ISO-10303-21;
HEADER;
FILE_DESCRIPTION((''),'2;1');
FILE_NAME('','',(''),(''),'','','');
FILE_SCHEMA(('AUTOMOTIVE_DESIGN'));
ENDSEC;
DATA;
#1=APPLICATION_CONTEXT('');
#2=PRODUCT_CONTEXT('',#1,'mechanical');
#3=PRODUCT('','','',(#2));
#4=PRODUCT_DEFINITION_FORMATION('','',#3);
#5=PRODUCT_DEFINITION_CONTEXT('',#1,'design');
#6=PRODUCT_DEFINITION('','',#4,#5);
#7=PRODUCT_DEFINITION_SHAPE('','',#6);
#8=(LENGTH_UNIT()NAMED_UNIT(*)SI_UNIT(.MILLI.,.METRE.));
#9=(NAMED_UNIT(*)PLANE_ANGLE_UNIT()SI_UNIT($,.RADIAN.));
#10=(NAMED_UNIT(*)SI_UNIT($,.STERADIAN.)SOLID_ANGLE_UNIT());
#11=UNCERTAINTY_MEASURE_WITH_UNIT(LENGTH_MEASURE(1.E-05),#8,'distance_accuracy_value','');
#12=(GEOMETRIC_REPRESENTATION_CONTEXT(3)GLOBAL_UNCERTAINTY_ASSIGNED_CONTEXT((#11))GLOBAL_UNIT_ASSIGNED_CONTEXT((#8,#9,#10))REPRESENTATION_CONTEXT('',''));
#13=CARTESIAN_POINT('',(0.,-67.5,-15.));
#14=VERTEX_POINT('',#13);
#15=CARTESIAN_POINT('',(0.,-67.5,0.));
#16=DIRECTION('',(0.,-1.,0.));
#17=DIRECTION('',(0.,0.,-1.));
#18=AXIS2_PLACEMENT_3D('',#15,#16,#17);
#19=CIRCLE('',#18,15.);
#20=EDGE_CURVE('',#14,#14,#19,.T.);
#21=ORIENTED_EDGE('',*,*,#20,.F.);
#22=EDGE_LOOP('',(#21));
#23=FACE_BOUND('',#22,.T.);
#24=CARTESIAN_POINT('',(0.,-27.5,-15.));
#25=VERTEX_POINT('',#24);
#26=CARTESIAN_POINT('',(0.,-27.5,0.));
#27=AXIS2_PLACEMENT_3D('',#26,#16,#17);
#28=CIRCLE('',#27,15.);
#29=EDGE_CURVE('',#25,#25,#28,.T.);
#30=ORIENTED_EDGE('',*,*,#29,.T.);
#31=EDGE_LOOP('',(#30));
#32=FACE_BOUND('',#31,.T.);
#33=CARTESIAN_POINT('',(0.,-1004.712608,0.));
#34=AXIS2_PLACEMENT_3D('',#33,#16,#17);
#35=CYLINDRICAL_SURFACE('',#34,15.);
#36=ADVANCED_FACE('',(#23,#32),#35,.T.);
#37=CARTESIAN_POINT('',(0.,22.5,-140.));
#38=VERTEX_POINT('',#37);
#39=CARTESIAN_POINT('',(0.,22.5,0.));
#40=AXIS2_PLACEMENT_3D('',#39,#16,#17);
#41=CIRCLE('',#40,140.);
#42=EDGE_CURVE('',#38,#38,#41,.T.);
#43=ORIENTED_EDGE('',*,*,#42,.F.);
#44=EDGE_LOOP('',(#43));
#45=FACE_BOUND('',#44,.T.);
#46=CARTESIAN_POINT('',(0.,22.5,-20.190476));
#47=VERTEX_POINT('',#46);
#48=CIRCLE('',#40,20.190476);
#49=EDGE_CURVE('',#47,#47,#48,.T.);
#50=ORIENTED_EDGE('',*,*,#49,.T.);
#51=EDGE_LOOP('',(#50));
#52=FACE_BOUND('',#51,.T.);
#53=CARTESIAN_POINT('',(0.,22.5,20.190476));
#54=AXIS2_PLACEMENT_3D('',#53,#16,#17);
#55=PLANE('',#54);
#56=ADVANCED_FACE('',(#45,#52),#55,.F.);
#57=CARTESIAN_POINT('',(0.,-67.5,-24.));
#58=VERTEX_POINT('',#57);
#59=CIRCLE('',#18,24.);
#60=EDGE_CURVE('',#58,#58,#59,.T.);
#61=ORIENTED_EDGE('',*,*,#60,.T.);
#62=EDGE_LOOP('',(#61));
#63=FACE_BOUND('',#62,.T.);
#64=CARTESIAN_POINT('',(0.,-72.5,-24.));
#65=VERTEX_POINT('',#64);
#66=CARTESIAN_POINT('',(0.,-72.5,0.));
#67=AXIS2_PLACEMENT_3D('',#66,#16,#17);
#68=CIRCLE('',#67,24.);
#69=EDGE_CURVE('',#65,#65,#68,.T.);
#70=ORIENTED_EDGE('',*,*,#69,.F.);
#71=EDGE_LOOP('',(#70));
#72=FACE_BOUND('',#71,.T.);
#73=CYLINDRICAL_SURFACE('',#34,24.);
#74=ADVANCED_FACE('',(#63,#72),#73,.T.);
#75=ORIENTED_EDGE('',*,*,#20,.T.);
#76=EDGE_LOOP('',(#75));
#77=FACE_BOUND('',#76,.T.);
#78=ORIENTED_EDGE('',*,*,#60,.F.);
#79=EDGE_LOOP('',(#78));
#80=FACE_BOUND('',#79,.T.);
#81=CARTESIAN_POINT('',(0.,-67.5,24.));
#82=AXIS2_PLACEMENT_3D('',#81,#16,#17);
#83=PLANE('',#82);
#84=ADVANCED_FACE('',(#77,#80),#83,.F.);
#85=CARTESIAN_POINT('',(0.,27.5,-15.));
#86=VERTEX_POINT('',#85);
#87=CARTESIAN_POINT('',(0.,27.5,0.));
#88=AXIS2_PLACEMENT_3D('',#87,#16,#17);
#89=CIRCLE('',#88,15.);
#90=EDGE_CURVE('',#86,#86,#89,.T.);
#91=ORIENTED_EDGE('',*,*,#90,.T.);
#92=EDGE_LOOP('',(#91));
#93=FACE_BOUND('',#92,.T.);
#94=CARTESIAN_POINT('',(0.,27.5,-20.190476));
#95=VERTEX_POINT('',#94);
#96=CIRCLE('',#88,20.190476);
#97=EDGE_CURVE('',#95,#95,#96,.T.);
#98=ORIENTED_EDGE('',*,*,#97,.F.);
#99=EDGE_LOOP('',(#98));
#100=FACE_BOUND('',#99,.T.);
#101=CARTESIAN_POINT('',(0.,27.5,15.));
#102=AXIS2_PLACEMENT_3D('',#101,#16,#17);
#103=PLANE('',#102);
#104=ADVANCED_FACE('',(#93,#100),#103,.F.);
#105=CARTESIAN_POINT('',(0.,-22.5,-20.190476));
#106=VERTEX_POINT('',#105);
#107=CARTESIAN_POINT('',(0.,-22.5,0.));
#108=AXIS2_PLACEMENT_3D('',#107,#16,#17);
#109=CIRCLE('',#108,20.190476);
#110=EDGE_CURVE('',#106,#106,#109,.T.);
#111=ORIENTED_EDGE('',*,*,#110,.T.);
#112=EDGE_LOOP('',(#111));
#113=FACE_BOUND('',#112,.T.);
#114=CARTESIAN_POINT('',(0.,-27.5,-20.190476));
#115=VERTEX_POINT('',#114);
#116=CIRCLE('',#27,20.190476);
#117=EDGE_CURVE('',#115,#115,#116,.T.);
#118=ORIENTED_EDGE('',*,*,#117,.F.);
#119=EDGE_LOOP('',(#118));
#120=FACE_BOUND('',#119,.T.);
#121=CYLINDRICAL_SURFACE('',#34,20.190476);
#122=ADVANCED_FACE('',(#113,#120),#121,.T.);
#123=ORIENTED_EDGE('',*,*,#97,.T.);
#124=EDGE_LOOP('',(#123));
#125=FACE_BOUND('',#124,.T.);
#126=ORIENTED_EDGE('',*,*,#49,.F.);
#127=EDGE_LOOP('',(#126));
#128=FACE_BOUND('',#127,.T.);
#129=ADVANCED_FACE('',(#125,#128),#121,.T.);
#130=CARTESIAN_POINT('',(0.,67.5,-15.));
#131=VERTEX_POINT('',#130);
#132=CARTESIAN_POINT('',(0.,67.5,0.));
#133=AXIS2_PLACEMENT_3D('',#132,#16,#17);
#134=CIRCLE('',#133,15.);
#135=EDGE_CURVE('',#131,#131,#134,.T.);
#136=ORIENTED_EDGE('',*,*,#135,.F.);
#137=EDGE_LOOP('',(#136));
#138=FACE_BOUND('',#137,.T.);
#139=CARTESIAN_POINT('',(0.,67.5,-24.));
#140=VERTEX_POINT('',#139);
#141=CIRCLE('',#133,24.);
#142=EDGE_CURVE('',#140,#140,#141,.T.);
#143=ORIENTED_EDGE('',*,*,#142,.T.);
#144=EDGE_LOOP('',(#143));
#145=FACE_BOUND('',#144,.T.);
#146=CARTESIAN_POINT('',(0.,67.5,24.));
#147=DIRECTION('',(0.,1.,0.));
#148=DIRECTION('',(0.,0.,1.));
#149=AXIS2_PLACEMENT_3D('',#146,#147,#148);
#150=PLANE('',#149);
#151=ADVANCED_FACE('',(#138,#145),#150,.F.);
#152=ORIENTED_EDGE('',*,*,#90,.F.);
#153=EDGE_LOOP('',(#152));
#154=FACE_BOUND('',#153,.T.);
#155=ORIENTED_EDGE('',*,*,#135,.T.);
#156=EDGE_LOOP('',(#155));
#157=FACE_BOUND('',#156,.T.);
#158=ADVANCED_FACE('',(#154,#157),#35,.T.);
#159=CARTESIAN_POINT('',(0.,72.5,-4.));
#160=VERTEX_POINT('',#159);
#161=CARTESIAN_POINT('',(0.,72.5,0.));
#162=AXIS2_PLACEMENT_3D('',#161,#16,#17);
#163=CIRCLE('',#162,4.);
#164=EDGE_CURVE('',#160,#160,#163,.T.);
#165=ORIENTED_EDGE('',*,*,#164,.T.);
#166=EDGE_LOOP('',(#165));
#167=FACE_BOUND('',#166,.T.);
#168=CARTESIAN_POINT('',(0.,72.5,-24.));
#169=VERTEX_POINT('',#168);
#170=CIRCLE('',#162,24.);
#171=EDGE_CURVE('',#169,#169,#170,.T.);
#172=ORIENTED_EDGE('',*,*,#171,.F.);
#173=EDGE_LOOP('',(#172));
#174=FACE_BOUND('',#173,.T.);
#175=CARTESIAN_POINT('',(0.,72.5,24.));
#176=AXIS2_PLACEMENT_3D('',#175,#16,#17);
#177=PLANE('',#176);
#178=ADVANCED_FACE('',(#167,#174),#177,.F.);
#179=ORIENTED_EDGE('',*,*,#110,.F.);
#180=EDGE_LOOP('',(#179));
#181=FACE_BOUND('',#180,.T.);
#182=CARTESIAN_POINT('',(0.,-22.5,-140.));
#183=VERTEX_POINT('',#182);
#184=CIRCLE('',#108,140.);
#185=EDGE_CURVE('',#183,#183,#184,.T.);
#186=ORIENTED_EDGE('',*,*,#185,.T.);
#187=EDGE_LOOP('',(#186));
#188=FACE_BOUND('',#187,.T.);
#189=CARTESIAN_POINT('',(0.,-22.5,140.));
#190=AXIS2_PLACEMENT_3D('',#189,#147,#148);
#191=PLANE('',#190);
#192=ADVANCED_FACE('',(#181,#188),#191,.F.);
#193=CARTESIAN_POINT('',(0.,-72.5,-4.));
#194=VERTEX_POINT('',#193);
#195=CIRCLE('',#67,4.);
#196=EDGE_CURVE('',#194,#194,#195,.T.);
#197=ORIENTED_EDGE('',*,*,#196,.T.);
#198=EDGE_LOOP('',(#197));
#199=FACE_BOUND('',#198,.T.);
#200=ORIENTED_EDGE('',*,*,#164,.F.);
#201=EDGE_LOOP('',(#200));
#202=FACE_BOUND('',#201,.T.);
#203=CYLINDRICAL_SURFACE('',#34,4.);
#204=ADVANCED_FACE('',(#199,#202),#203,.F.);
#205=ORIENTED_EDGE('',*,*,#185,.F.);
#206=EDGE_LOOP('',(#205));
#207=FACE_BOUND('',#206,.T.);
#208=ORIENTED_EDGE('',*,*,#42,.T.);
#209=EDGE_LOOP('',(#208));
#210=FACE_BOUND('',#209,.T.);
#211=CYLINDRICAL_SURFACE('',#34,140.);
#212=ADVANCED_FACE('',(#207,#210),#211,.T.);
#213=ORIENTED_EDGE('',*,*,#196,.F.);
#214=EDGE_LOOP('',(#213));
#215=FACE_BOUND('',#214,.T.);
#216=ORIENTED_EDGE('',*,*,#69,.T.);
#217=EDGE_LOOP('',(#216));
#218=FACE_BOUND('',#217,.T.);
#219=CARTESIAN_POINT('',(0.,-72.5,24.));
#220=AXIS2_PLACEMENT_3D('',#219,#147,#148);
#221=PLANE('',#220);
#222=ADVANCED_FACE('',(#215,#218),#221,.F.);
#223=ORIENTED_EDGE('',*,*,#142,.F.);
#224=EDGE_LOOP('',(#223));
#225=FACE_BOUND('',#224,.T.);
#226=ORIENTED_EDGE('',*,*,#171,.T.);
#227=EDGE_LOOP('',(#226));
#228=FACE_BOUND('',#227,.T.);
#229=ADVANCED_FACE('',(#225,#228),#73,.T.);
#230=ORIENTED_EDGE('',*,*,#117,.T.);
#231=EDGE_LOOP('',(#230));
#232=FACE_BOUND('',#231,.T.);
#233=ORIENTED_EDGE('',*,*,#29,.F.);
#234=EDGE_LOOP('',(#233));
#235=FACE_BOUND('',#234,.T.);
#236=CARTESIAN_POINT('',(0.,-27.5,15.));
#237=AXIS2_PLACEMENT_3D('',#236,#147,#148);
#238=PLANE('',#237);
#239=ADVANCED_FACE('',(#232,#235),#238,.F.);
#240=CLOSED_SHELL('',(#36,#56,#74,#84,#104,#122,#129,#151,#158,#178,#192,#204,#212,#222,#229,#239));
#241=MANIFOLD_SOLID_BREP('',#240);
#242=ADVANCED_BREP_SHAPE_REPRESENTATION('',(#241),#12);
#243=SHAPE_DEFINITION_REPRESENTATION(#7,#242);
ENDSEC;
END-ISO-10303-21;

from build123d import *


with BuildPart() as part:
    # Sketch1 → Revolve1 (revolve)
    with BuildSketch(Plane(origin=(0, 0, 0), x_dir=(0, 0, -1), z_dir=(1, 0, 0)), mode=Mode.PRIVATE) as revolve1_sk:
        Polygon((-24, 72.5), (-24, 67.5), (-15, 67.5), (-15, 27.5), (-20.190476188, 27.5), (-20.190476188, 22.5), (-140, 22.5), (-140, -22.5), (-20.190476188, -22.5), (-20.190476188, -27.5), (-15, -27.5), (-15, -67.5), (-24, -67.5), (-24, -72.5), (-4, -72.5), (-4, -32.5), (-4, 72.5), align=None)
    revolve(revolve1_sk.sketch.rotate(Axis((0, -1004.712608179, 0), (0, 1, 0)), 180), axis=Axis((0, -1004.712608179, 0), (0, 1, 0)))


solid = part.part
